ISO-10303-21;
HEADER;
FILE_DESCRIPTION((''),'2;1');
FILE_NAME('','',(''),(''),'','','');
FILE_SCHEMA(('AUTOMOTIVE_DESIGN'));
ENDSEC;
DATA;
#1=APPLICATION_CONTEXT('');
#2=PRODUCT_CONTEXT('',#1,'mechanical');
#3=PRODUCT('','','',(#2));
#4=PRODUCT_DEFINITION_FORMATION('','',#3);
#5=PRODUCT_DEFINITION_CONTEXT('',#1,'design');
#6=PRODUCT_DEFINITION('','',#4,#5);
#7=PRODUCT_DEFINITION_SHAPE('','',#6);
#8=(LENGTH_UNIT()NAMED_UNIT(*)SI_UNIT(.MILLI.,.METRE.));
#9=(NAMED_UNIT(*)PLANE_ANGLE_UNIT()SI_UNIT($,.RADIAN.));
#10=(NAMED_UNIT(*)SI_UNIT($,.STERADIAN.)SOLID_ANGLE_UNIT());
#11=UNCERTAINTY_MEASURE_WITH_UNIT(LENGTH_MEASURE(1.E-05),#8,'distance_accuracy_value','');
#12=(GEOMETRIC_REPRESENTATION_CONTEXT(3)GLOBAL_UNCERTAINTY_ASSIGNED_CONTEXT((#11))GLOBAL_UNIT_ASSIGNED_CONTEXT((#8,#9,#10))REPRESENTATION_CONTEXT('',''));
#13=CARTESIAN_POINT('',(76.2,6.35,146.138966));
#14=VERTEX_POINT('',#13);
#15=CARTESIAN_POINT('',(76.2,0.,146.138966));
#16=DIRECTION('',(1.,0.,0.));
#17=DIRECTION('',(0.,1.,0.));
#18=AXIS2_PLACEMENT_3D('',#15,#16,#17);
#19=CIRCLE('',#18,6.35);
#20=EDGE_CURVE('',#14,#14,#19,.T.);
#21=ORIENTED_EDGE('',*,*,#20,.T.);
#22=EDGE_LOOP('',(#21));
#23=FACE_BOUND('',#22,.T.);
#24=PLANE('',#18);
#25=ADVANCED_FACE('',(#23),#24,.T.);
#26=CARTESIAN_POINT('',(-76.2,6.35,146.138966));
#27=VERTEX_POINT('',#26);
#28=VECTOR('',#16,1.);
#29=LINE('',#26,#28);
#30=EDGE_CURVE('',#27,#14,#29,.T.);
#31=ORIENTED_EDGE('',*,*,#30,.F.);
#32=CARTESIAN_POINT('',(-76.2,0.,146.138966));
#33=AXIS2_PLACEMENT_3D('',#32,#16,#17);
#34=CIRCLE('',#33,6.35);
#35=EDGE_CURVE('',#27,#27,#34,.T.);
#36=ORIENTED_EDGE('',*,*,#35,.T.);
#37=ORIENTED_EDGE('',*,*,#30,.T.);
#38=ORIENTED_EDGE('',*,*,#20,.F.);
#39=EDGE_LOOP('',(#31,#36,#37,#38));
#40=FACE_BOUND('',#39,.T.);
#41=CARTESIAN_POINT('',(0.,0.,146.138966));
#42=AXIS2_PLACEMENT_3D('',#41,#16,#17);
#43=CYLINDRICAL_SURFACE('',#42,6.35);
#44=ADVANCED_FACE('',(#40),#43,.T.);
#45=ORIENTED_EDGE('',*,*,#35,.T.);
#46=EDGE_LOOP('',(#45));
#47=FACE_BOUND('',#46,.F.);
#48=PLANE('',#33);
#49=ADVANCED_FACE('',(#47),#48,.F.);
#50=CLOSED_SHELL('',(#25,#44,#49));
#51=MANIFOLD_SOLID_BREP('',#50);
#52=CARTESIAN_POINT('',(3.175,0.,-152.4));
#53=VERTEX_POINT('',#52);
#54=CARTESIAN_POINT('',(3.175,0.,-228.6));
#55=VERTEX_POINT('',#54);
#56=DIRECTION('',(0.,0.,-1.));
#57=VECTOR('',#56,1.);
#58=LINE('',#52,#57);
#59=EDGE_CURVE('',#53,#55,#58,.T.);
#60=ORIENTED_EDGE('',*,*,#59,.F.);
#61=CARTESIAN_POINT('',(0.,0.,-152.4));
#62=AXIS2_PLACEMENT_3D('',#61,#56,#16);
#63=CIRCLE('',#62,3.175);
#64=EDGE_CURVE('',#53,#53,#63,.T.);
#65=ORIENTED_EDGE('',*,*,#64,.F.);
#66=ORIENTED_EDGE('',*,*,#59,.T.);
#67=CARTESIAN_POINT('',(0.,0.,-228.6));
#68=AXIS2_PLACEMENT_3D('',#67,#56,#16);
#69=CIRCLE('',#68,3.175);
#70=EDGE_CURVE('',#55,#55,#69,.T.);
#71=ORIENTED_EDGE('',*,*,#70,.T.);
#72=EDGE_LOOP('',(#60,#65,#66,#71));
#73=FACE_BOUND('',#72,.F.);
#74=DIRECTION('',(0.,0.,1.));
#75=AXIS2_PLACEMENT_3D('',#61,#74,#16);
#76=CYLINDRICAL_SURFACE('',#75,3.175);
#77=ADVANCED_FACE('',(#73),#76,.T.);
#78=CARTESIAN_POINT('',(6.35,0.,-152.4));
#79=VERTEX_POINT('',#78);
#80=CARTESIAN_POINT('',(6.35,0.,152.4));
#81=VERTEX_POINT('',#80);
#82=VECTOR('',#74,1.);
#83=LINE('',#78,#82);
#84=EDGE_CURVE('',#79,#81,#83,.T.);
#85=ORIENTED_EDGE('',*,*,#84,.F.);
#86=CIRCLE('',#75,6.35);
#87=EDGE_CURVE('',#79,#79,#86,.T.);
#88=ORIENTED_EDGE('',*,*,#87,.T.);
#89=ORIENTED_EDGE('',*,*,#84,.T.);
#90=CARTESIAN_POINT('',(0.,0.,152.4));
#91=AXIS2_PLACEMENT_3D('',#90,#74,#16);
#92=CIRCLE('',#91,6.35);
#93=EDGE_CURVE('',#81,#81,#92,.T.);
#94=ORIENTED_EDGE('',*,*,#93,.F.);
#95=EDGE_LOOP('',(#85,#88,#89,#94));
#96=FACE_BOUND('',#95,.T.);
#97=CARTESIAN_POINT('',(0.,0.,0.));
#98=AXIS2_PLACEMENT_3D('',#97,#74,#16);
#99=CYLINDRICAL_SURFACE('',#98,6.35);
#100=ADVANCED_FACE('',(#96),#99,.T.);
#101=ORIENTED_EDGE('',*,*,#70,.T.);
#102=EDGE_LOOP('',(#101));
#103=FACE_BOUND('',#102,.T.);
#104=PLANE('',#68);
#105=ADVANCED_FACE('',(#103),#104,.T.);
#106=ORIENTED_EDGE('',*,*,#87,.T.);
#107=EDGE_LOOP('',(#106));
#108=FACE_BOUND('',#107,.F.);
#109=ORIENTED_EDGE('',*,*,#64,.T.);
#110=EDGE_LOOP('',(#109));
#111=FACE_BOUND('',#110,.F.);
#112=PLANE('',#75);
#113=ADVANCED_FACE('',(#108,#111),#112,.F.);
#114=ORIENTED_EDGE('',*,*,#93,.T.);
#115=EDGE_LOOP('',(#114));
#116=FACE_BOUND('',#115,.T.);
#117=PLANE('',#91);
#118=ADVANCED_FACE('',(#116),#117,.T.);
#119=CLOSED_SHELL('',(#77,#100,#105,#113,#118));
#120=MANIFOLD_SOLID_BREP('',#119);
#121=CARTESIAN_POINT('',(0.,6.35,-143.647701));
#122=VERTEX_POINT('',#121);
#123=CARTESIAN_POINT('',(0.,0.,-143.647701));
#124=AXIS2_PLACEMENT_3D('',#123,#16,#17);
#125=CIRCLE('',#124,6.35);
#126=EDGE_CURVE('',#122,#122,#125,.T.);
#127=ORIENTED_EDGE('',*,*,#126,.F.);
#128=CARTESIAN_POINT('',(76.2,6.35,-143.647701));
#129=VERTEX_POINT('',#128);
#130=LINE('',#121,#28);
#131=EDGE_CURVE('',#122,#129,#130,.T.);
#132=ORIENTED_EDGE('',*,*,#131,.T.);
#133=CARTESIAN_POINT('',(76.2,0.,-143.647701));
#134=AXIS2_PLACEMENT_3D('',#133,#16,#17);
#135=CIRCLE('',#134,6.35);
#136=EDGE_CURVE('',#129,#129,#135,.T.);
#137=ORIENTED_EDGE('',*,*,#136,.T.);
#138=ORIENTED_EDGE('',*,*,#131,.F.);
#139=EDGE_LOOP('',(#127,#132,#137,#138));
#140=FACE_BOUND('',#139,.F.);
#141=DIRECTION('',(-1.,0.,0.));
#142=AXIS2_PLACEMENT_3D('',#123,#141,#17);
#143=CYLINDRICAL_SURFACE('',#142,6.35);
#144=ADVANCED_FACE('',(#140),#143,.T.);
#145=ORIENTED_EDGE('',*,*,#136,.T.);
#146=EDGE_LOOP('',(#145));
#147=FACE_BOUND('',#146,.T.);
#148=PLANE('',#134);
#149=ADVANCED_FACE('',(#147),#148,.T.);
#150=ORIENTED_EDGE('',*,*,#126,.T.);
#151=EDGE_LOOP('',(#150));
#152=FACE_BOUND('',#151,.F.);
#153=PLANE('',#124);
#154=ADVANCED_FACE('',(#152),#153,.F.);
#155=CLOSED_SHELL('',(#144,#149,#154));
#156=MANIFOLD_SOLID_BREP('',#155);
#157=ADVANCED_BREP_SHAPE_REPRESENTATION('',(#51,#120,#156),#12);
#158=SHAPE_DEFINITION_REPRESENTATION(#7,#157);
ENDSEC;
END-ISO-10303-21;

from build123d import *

# Parameters (mm, degrees)
F0_R     = 6.35
F1_DEPTH = 152.4
F2_R     = 6.35
F3_DEPTH = 76.2
F4_R     = 6.35
F5_DEPTH = 76.2
F6_R     = 3.175
F7_DEPTH = 76.2


with BuildPart() as f1:
    # F0 (on Top) → F1 (new body, symmetric)
    with BuildSketch(Plane.XY):
        Circle(F0_R)
    extrude(amount=F1_DEPTH, both=True)

    # F6 (on face) → F7 (join)
    with BuildSketch(Plane(origin=(0, 0, -152.4), x_dir=(1, 0, 0), z_dir=(0, 0, -1))):
        Circle(F6_R)
    extrude(amount=F7_DEPTH)


with BuildPart() as f3:
    # F2 (on Right) → F3 (new body, symmetric)
    with BuildSketch(Plane.YZ):
        with Locations((0, 146.138966)):
            Circle(F2_R)
    extrude(amount=F3_DEPTH, both=True)


with BuildPart() as f5:
    # F4 (on Right) → F5 (new body)
    with BuildSketch(Plane.YZ):
        with Locations((0, -143.647701)):
            Circle(F4_R)
    extrude(amount=F5_DEPTH)


solid = Compound([f1.part, f3.part, f5.part])
